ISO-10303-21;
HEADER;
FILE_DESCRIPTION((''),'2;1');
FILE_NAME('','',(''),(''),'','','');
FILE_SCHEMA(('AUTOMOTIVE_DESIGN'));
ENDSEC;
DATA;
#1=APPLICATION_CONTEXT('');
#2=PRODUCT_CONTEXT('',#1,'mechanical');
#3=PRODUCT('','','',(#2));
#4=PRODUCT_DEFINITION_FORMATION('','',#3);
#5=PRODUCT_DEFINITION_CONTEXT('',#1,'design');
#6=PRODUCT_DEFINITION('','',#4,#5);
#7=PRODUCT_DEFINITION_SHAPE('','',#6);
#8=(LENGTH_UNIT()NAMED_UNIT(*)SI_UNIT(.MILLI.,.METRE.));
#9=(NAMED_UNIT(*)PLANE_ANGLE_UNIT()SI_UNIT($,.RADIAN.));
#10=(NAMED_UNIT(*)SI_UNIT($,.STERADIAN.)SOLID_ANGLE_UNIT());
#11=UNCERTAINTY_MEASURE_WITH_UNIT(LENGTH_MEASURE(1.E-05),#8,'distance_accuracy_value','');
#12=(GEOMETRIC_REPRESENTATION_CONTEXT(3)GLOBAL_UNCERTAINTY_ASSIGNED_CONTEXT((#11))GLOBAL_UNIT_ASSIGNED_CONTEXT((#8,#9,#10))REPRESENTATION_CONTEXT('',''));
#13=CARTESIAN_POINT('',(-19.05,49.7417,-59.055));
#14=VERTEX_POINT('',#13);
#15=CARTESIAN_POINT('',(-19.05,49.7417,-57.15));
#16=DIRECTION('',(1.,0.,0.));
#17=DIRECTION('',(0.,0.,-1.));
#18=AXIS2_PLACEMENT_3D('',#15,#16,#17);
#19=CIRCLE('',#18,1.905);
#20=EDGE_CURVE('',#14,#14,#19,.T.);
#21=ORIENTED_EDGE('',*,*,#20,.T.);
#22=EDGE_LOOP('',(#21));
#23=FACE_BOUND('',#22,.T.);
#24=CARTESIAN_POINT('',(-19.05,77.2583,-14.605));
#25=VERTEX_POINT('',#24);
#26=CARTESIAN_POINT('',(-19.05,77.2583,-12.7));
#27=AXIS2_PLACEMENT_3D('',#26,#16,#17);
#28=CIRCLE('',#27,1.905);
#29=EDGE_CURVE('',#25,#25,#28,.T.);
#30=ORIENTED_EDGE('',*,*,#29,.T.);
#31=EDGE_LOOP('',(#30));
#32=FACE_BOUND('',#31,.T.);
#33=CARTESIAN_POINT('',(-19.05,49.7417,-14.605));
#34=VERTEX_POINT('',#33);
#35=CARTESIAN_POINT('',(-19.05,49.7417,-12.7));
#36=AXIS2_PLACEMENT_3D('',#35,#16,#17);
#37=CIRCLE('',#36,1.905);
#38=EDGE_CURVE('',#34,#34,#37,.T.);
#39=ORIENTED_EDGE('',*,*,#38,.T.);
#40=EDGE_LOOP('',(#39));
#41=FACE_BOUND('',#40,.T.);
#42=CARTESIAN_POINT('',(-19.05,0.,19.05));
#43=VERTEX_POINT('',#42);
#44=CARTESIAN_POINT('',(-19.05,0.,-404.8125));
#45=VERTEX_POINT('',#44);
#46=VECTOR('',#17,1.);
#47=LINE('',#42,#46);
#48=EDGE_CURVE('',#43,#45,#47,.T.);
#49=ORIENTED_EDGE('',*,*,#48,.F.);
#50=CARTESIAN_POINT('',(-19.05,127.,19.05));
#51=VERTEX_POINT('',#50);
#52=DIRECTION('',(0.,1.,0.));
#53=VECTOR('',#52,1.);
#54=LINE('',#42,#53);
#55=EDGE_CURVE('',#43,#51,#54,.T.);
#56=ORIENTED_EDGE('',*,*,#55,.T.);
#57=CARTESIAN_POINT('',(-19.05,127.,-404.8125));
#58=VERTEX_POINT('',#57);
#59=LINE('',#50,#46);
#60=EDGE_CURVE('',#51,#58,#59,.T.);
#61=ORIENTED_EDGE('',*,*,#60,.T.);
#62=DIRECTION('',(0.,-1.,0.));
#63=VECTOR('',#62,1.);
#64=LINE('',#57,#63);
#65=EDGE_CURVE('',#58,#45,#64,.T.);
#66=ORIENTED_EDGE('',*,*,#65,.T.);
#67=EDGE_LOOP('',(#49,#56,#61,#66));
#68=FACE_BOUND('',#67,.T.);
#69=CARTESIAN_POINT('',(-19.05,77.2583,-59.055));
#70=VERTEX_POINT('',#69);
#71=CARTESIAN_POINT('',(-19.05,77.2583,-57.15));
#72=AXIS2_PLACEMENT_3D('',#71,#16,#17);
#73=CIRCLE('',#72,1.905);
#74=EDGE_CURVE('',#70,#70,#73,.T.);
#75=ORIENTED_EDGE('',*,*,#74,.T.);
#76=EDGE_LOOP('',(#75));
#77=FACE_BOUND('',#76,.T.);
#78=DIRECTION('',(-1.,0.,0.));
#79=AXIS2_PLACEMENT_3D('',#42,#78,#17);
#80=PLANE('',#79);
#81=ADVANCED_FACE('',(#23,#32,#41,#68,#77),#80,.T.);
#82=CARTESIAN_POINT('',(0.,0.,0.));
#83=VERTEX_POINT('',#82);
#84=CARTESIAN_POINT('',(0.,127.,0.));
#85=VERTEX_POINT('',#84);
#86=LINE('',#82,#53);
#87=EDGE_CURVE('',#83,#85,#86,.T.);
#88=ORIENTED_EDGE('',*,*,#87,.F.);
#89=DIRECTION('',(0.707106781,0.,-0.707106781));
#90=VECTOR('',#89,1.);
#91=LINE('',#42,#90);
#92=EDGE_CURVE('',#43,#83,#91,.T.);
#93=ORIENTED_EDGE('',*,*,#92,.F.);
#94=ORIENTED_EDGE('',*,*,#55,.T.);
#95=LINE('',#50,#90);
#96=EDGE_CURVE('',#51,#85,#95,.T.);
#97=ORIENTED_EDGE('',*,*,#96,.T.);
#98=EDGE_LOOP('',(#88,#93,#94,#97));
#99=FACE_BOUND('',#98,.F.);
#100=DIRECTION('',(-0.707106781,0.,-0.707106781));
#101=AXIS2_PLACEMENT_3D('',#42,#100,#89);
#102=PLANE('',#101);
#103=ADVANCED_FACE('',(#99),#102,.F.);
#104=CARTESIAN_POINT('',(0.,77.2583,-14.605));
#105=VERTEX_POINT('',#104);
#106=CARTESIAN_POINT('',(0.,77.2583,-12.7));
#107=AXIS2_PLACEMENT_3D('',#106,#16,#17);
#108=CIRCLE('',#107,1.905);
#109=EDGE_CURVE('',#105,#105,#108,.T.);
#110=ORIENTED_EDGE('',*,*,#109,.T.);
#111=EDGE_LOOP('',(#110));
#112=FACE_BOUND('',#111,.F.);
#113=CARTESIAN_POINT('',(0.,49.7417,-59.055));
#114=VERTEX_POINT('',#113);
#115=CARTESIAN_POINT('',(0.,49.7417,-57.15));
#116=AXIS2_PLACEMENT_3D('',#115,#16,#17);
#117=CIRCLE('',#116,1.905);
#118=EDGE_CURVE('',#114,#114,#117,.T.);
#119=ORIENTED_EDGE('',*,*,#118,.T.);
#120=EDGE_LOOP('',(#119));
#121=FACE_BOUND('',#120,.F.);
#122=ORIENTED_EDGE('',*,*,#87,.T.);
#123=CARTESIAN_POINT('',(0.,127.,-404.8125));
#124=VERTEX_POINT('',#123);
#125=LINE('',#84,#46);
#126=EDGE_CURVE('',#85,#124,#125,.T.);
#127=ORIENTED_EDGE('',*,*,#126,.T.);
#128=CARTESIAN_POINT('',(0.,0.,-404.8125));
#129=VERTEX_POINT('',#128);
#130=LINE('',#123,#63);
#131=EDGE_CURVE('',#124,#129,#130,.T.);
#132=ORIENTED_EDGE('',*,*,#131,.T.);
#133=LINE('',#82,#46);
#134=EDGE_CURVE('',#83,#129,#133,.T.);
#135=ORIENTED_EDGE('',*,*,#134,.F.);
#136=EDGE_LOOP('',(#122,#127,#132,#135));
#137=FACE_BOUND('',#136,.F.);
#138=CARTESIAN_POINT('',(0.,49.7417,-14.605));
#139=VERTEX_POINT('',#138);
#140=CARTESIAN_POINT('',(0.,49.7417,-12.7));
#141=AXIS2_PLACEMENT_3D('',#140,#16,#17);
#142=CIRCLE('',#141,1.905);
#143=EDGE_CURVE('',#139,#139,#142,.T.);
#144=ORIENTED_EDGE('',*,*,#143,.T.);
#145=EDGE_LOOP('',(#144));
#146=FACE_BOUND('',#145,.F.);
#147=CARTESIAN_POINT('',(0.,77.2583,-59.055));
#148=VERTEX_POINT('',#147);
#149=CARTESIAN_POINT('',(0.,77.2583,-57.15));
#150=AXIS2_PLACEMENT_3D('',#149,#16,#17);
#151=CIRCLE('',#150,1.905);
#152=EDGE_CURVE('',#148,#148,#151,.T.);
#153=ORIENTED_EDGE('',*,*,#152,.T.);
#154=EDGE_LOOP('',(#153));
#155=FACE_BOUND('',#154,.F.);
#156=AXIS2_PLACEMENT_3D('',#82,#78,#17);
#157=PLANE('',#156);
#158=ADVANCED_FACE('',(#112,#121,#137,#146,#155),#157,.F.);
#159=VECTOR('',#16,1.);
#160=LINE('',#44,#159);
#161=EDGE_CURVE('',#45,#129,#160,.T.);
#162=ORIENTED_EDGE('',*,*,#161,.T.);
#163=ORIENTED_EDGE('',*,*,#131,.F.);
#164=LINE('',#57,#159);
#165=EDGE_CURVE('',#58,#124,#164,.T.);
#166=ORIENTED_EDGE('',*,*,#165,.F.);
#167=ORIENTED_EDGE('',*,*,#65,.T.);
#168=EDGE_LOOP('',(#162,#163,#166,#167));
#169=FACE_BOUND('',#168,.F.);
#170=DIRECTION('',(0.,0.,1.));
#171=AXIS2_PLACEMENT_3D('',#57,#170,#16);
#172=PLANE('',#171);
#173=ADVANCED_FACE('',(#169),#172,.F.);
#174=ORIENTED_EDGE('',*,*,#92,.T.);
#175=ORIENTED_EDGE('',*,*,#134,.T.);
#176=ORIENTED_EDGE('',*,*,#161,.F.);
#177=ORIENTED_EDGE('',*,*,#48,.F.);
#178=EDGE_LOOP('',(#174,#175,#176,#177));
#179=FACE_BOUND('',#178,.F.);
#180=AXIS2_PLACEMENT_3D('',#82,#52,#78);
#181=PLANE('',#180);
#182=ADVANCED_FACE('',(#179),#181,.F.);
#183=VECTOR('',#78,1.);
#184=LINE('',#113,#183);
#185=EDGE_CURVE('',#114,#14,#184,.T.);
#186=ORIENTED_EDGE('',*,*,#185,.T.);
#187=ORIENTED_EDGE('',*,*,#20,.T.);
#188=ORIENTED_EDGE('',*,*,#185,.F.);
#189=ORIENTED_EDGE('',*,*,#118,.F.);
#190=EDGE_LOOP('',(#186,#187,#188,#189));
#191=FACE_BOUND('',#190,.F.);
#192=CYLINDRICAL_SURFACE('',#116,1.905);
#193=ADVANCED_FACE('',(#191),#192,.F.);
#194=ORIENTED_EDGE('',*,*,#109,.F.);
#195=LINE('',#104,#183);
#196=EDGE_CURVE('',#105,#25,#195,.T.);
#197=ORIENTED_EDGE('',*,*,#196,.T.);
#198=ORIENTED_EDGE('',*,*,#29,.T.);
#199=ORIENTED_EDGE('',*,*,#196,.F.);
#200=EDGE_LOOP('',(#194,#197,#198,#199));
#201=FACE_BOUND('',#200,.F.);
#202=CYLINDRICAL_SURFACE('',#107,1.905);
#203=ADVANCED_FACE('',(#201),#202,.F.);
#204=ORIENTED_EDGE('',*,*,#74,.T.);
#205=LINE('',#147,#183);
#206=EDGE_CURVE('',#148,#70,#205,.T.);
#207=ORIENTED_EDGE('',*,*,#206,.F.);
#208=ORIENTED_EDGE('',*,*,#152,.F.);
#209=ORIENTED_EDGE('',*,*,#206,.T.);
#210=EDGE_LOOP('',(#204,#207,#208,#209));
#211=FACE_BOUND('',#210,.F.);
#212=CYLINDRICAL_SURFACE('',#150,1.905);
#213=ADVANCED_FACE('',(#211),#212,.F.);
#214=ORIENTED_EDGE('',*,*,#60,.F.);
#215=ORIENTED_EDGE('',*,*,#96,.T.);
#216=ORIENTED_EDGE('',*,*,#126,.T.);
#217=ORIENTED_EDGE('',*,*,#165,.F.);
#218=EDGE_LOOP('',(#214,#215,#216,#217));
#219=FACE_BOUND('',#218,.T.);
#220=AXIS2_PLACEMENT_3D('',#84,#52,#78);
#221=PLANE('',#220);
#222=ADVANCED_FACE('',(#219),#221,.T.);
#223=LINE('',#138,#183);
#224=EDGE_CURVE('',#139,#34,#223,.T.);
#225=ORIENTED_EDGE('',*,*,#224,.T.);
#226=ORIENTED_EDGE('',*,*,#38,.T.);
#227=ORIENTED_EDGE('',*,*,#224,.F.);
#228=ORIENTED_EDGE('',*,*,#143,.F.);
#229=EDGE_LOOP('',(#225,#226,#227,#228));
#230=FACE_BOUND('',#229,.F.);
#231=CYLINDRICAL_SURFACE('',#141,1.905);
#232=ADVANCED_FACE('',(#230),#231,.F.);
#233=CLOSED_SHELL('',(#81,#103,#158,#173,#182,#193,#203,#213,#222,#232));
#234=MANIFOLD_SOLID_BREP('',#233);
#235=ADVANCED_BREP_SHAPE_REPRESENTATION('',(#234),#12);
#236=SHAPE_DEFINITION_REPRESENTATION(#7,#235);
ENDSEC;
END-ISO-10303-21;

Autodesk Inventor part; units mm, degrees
ref_plane "YZ Plane" through (0, 0, 0) normal (1, 0, 0) x (0, 1, 0)
ref_plane "XZ Plane" through (0, 0, 0) normal (0, 1, 0) x (-1, 0, 0)
ref_plane "XY Plane" through (0, 0, 0) normal (0, 0, 1) x (1, 0, 0)
sketch "Sketch2" plane through (0, 0, 0) normal (0, 1, 0) x (-1, 0, 0)
  line L0 (0, 0) -> (0, -812.8)
  line L1 (19.05, 19.05) -> (19.05, -831.85)
  line L2 (19.05, -831.85) -> (0, -812.8)
  line L3 (19.05, 19.05) -> (0, 0)
  point P0 (19.05, -406.4)
  point P1 (0, -406.4)
  dimension "d2" = 812.8
  dimension "d3" = 850.9
  dimension "d4" = 19.05
extrude "Extrusion1" add sketch "Sketch2" along normal blind 127
sketch "Sketch3" plane through (0, 0, 0) normal (1, 0, 0) x (0, 0, -1)
  line L0 (0, 0) -> (812.8, 0) construction
  line L1 (812.8, 0) -> (812.8, 127) construction
  line L2 (0, 127) -> (812.8, 127) construction
  line L3 (0, 0) -> (0, 127) construction
  line L4 (0, 77.2583) -> (12.7, 77.2583) construction
  circle A0 centre (12.7, 77.2583) radius 1.905
  circle A1 centre (57.15, 77.2583) radius 1.905
  circle A2 centre (101.6, 77.2583) radius 1.905 construction
  circle A3 centre (12.7, 49.7417) radius 1.905
  circle A4 centre (57.15, 49.7417) radius 1.905
  circle A5 centre (101.6, 49.7417) radius 1.905 construction
  line L5 (406.4, 127) -> (406.4, 0) construction
  circle A6 centre (800.1, 77.2583) radius 1.905
  circle A7 centre (755.65, 77.2583) radius 1.905
  circle A8 centre (711.2, 77.2583) radius 1.905 construction
  circle A9 centre (800.1, 49.7417) radius 1.905
  circle A10 centre (755.65, 49.7417) radius 1.905
  circle A11 centre (711.2, 49.7417) radius 1.905 construction
  line L6 (12.7, 77.2583) -> (12.7, 49.7417) construction
  line L7 (-19.05, 0) -> (-19.05, 127) projected
  point P0 (12.7, 63.5)
  dimension "d9" = 3.81
  dimension "d12" = 44.45
  dimension "d15" = 27.5167
  dimension "d23" = 63.5
  dimension "d24" = 31.75
extrude "Extrusion2" cut sketch "Sketch3" against normal blind 127
sketch "Sketch4" plane through (0, 127, 0) normal (0, 1, 0) x (1, 0, 0)
  line L0 (-19.05, 831.85) -> (-19.05, -19.05) projected
  line L1 (-19.05, 406.4) -> (0, 406.4)
  line L2 (0, 0) -> (0, 812.8) projected
  line L3 (0, 0) -> (0, 812.8) projected
  line L4 (0, 812.8) -> (-19.05, 831.85) projected
  line L5 (-19.05, 831.85) -> (-19.05, -19.05) projected
  line L6 (-19.05, -19.05) -> (0, 0) projected
  line L7 (-19.05, 404.8125) -> (0, 404.8125)
  point P0 (-19.05, 404.8125)
  point P1 (0, 404.8125)
  dimension "d22" = 1.5875
extrude "Extrusion3" cut sketch "Sketch4" against normal blind 127 contours L4 L2 L1 L0 | L1 L2 L7 L0
properties part number "BUMP_002_Wood2" material "Wood (Birch)"
